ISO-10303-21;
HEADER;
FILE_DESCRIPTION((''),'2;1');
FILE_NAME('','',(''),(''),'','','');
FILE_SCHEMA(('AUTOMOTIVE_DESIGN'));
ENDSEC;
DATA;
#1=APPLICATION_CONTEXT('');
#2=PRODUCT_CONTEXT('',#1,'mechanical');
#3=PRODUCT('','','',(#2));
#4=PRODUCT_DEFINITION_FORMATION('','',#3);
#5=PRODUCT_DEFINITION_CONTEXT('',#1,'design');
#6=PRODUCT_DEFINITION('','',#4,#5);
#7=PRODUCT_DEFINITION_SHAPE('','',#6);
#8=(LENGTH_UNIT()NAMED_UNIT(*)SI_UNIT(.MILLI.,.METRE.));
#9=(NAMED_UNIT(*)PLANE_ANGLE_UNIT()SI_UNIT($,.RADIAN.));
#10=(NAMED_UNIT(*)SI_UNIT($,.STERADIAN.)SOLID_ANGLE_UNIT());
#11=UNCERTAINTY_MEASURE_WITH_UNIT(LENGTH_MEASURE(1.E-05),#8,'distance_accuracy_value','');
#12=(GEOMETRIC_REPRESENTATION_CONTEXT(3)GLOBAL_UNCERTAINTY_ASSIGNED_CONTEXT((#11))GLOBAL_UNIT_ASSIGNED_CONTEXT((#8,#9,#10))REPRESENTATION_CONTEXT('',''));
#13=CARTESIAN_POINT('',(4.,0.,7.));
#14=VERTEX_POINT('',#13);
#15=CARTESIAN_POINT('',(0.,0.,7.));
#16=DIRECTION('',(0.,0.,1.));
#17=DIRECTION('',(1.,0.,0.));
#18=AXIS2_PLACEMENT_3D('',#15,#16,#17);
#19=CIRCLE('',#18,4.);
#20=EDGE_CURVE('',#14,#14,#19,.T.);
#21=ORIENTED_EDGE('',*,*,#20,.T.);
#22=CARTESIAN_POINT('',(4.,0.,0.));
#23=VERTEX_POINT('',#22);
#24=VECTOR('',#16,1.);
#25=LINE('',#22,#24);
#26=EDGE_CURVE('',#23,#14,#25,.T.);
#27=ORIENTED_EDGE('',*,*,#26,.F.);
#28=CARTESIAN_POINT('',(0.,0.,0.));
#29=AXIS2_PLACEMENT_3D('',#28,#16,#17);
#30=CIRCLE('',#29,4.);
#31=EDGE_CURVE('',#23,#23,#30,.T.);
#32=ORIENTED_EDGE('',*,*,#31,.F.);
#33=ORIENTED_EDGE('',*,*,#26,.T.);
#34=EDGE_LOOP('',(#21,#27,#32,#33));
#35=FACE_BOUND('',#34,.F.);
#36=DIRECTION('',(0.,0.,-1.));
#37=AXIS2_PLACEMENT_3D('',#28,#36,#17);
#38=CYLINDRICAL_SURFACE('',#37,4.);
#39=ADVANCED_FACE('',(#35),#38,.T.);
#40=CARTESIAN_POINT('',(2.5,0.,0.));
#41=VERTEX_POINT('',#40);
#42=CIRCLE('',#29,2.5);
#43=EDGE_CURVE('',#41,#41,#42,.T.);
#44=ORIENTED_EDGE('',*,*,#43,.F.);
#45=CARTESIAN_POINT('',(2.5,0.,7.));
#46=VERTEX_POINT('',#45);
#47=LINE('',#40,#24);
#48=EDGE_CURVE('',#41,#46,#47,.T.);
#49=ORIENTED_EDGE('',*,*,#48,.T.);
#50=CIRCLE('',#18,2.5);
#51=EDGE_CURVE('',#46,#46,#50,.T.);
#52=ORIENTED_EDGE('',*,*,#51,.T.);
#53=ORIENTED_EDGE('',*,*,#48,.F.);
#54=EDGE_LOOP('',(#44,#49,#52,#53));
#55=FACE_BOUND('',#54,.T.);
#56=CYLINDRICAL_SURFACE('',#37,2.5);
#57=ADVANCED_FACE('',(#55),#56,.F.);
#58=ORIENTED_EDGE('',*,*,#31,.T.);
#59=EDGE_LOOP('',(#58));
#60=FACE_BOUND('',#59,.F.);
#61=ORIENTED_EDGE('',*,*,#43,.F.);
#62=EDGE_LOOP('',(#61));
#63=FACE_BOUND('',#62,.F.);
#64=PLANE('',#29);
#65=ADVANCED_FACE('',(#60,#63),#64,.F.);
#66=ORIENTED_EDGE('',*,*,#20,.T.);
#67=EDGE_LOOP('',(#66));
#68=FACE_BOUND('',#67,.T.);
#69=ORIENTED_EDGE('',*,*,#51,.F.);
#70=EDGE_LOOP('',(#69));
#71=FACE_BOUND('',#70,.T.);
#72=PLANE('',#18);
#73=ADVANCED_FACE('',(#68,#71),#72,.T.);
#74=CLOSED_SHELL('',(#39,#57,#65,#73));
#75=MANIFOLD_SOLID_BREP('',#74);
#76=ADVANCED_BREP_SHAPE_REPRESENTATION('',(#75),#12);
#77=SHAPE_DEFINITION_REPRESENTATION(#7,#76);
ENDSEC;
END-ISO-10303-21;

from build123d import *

# Parameters (mm, degrees)
SKETCH_R   = 4
SKETCH_R_2 = 2.5
PAD_DEPTH  = 7


with BuildPart() as part:
    # Sketch → Pad (new body)
    with BuildSketch(Plane.XY):
        Circle(SKETCH_R)
        Circle(SKETCH_R_2, mode=Mode.SUBTRACT)
    extrude(amount=PAD_DEPTH)


solid = part.part
